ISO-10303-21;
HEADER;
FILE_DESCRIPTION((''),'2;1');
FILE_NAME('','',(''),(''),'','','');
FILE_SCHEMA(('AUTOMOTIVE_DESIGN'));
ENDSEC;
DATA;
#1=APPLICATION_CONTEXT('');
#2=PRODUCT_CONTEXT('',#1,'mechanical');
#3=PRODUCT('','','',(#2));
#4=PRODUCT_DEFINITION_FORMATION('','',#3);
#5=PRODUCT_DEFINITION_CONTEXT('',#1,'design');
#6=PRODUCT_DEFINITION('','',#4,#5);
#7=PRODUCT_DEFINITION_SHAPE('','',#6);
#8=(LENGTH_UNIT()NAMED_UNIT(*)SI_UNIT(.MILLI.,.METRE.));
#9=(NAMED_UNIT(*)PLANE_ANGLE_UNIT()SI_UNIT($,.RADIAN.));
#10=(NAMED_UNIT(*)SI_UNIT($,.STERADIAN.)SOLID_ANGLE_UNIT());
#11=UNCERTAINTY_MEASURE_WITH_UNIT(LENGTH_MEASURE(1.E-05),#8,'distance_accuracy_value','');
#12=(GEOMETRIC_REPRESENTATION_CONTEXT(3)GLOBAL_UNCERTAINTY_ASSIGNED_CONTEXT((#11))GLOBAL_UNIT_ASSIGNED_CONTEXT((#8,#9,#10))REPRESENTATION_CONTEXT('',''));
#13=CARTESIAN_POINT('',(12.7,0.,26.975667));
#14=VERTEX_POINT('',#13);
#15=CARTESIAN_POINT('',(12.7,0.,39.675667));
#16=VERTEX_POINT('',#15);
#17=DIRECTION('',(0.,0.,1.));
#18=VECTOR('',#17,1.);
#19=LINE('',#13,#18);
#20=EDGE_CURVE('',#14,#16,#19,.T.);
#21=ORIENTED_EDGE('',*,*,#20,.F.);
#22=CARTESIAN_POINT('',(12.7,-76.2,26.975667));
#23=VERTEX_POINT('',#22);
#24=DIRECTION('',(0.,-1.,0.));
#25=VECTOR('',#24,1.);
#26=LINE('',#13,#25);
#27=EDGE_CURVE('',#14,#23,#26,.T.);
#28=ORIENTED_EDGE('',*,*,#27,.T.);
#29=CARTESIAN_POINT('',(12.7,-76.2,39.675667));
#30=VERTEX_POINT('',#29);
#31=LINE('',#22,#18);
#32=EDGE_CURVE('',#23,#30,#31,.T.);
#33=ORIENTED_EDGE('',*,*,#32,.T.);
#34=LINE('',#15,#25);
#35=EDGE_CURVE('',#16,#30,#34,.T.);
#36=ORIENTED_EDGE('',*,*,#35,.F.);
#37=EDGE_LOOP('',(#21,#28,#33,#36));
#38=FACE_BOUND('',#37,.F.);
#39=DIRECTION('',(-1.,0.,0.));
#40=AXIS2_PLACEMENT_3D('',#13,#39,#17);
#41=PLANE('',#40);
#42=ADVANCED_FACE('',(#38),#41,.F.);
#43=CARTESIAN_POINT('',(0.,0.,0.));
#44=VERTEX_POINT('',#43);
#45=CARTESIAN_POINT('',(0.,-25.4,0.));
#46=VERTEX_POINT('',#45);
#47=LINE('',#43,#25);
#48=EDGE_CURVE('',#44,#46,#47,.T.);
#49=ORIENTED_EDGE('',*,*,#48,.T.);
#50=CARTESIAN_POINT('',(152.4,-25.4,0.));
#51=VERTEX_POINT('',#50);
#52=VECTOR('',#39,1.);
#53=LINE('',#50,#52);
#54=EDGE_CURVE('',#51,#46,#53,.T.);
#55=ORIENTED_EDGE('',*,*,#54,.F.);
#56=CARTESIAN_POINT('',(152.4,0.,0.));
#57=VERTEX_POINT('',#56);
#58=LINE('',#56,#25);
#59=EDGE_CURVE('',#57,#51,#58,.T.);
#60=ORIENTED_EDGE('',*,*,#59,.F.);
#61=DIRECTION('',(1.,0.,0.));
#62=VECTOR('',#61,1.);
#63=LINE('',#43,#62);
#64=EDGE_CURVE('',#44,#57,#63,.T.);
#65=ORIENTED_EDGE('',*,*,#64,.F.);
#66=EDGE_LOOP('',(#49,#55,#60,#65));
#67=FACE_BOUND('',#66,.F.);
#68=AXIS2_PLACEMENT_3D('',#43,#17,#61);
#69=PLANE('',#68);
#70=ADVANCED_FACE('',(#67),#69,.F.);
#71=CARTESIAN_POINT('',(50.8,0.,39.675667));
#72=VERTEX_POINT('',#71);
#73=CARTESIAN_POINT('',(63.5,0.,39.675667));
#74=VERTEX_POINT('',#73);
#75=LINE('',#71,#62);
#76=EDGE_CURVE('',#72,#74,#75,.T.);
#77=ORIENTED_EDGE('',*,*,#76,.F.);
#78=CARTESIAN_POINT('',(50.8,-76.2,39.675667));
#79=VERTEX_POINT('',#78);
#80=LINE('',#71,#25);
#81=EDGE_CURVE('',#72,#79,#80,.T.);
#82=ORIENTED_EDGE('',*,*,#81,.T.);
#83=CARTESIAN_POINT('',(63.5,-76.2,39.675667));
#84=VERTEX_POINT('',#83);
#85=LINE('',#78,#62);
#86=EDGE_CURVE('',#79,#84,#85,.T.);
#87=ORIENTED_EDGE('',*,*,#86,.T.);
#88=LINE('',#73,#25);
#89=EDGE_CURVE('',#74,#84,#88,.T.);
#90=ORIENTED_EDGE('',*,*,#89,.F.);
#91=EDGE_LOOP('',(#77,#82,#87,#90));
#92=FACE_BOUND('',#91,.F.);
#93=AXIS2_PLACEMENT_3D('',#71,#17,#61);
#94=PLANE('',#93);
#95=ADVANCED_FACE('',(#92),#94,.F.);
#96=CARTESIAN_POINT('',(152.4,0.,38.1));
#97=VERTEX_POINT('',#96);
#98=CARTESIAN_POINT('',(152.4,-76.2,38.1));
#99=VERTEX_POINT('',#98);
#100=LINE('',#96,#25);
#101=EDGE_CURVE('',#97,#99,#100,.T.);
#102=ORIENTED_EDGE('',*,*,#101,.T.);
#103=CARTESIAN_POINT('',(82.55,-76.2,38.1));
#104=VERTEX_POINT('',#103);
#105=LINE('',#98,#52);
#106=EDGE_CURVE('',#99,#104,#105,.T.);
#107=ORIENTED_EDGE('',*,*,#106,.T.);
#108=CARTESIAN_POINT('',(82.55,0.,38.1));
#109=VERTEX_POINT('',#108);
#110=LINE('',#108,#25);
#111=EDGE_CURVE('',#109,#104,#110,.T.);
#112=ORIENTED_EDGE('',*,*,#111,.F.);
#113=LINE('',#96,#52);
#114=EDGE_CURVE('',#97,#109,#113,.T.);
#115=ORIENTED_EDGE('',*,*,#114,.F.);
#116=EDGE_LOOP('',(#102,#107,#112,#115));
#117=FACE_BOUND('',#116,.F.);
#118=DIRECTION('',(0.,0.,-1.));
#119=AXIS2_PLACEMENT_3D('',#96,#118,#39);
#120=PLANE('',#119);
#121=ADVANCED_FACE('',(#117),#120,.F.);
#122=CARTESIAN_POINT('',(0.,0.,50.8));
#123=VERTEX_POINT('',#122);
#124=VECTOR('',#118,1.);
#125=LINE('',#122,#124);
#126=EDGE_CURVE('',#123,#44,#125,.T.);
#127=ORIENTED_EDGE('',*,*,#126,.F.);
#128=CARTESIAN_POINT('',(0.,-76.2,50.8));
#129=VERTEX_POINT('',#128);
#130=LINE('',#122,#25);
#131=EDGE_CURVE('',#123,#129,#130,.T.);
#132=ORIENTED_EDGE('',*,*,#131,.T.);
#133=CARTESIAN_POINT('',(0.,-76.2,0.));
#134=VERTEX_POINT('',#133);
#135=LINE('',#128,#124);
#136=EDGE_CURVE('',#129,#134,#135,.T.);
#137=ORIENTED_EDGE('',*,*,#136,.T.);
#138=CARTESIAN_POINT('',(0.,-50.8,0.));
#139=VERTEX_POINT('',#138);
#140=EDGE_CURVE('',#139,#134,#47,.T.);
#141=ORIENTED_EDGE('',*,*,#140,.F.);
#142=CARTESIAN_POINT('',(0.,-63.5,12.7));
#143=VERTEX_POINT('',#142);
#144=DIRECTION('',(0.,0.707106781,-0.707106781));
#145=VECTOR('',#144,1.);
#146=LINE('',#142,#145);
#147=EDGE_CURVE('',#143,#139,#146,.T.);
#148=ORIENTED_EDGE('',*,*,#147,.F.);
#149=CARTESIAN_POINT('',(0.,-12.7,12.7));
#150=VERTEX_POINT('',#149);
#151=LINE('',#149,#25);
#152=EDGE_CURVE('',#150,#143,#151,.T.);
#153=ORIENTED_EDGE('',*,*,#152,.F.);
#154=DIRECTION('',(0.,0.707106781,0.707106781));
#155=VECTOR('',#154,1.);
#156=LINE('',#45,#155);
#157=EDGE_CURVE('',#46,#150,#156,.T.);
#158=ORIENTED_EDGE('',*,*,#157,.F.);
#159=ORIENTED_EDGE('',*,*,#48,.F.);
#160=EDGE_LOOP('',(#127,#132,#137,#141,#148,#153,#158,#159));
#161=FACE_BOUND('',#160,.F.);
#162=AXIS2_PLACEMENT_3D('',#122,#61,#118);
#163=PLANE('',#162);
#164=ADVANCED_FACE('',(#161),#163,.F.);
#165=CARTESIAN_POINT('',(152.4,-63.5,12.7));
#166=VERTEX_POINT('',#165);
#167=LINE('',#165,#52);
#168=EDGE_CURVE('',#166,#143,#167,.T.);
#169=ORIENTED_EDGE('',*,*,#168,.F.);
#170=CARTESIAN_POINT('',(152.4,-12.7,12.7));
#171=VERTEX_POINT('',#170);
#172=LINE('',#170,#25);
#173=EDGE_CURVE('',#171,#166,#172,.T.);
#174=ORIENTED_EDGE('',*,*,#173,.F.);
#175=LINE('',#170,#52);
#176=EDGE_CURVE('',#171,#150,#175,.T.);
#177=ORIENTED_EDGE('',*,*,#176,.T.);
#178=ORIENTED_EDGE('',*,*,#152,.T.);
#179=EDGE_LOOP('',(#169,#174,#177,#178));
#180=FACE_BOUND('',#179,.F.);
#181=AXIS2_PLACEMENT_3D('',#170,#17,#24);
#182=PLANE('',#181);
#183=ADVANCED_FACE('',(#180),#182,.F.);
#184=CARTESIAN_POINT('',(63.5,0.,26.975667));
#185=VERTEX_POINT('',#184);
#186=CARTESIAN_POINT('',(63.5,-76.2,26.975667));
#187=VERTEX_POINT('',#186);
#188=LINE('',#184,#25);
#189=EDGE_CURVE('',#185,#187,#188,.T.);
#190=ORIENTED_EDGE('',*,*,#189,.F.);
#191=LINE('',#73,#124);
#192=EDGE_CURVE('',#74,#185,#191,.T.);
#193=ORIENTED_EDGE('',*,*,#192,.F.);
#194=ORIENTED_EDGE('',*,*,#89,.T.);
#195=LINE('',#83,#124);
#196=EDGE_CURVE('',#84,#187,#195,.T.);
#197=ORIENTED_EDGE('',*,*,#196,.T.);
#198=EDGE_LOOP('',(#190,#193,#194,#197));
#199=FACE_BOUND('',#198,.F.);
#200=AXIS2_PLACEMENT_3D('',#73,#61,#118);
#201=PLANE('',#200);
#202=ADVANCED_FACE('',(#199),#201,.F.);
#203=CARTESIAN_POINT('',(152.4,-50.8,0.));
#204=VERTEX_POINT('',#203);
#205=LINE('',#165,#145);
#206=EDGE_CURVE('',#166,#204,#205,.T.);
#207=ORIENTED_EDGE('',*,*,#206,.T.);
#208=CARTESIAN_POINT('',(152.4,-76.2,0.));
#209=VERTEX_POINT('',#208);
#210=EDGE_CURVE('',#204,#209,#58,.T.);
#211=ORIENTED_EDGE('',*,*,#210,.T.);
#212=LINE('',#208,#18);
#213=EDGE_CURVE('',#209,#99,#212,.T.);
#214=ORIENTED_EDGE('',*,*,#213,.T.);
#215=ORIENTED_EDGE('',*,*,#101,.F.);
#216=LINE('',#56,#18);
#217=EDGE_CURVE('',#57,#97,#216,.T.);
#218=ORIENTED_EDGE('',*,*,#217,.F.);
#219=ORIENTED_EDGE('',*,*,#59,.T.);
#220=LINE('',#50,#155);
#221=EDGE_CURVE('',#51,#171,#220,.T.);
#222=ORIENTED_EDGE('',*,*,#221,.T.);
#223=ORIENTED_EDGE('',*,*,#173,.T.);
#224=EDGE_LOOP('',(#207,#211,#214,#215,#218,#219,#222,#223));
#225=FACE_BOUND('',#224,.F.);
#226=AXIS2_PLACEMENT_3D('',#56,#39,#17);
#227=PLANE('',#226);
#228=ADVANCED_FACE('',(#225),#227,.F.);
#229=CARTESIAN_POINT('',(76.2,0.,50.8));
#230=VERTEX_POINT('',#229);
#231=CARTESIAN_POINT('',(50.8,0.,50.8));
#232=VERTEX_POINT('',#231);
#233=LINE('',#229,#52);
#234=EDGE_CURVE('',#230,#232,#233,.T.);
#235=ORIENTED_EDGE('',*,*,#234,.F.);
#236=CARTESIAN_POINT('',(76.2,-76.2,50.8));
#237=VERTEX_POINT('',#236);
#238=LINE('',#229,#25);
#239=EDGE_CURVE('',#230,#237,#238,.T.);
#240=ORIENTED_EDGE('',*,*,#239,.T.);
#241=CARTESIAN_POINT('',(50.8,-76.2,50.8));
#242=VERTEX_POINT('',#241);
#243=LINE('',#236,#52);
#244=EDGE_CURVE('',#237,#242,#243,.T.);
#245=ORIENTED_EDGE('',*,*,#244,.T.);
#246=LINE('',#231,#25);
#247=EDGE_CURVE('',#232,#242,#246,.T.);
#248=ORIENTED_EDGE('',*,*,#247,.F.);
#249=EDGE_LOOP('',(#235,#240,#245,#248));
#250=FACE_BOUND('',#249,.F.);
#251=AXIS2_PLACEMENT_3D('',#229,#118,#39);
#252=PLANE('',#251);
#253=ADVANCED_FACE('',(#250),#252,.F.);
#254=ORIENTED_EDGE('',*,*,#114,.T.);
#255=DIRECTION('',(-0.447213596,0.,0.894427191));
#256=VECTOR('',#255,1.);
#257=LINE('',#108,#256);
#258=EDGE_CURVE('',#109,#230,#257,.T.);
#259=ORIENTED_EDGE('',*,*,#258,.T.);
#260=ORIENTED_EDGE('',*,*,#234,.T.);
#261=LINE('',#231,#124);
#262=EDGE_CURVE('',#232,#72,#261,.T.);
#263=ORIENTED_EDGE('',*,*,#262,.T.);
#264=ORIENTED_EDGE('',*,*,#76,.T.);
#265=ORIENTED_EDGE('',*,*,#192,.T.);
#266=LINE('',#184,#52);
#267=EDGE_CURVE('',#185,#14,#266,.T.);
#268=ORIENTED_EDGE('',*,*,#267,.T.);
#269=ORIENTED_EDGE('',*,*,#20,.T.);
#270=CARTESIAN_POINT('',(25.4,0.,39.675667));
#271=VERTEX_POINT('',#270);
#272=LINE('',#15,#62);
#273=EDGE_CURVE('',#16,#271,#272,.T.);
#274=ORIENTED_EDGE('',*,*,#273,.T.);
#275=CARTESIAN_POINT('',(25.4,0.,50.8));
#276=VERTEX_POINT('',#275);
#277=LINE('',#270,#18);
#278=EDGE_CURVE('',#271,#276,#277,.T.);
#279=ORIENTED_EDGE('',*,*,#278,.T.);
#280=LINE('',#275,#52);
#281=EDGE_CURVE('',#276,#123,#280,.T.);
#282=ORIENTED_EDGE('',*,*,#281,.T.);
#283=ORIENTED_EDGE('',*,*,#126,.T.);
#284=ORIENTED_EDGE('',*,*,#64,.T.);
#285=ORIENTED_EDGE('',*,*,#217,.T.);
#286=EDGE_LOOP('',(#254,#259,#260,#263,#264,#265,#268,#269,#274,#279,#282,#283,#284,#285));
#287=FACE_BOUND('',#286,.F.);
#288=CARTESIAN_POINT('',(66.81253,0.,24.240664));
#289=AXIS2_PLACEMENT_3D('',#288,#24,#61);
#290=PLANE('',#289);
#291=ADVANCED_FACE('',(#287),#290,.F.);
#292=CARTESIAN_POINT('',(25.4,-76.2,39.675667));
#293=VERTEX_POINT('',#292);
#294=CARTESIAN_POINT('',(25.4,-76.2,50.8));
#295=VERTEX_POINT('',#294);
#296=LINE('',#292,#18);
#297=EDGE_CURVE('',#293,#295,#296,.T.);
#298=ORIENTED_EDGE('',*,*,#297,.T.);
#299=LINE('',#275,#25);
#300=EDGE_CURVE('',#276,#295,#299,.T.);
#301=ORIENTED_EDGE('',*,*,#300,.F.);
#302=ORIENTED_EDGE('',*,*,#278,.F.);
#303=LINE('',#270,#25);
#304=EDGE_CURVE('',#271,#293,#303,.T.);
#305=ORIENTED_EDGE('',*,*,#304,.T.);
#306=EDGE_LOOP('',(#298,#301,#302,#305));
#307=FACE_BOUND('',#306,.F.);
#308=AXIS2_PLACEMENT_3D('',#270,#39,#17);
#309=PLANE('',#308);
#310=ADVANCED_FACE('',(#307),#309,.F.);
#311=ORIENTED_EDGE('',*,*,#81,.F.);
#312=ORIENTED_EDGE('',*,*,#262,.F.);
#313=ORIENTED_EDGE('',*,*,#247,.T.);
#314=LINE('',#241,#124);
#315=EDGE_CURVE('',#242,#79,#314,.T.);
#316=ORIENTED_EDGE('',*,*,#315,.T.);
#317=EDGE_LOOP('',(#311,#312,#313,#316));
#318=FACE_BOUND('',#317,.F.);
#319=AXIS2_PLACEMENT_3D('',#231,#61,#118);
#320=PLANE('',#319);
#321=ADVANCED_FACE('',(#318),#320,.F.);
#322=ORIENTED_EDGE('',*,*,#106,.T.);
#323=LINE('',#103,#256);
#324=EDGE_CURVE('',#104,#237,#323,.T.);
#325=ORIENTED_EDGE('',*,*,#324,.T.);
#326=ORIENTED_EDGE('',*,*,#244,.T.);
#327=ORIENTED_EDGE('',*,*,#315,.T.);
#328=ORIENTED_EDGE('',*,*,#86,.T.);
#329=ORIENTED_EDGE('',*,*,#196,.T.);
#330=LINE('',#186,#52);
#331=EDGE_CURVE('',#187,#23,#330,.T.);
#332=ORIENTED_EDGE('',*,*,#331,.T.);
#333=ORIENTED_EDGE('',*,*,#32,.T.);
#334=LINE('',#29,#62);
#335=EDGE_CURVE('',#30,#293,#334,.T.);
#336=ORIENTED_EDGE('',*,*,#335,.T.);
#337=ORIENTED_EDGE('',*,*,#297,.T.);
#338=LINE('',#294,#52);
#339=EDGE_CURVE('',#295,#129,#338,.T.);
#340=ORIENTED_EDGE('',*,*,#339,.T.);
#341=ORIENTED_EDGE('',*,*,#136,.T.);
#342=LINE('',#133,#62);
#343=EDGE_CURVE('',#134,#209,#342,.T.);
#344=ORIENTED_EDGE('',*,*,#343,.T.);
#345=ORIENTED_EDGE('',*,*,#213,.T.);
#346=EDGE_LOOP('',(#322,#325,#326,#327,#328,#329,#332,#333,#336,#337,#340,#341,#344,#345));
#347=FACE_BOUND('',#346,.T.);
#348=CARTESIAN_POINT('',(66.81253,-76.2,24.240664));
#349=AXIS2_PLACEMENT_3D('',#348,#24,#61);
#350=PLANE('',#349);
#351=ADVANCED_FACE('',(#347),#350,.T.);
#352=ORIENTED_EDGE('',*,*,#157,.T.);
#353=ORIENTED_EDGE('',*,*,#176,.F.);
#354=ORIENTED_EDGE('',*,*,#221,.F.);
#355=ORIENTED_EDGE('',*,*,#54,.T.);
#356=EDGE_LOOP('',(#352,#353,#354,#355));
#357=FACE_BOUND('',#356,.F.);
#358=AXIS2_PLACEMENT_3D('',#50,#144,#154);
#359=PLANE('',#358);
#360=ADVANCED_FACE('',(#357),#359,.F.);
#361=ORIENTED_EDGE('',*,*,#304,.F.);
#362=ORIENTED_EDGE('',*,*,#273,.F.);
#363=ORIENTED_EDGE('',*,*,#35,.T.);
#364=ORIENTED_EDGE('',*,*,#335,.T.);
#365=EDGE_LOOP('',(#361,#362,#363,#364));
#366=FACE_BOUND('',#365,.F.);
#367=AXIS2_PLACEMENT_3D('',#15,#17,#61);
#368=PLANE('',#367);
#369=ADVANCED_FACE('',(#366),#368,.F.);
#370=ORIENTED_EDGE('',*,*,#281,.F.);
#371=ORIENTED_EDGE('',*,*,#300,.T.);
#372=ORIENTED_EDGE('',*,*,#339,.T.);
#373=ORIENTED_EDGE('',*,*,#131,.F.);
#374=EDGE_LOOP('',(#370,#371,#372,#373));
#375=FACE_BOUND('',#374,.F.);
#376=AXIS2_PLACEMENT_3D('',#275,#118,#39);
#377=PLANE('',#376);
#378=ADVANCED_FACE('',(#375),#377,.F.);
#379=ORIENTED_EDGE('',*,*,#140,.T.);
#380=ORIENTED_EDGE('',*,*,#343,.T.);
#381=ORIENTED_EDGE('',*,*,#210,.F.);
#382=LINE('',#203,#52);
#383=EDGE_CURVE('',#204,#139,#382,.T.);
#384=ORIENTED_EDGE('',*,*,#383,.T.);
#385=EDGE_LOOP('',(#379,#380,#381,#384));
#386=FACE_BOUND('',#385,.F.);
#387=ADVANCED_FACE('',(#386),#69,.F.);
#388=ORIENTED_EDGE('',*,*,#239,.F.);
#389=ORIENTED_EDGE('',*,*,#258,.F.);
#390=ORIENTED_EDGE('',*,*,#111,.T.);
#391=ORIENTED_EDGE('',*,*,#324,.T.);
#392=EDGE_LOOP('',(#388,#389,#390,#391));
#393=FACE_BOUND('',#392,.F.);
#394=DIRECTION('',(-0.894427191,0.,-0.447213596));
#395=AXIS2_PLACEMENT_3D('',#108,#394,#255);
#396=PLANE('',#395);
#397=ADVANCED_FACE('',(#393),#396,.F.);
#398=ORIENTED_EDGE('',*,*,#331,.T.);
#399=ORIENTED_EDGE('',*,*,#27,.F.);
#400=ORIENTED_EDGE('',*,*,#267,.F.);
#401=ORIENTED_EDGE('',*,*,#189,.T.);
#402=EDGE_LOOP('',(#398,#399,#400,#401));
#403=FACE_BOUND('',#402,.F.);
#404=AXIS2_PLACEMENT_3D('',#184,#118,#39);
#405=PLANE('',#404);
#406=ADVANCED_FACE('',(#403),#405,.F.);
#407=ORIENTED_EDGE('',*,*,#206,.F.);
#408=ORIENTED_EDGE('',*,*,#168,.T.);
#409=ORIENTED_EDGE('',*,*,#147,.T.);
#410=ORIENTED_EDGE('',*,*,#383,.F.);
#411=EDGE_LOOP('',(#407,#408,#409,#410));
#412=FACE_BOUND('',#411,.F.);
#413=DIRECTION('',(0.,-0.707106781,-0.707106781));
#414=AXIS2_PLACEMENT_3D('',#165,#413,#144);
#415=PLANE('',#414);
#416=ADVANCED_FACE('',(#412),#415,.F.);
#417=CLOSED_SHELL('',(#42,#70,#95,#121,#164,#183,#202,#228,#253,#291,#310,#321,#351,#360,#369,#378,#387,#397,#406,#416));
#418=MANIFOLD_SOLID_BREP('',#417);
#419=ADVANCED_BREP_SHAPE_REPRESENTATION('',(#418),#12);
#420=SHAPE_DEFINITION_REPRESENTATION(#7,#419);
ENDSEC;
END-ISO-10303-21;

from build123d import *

# Parameters (mm, degrees)
F1_DEPTH = 76.2
F3_DEPTH = 152.4


with BuildPart() as f1:
    # F0 (on Front) → F1 (new body)
    with BuildSketch(Plane.XZ):
        Polygon((0, 50.8), (0, 0), (152.4, 0), (152.4, 38.1), (82.55, 38.1), (76.2, 50.8), (50.8, 50.8), (50.8, 39.675667), (63.5, 39.675667), (63.5, 26.975667), (12.7, 26.975667), (12.7, 39.675667), (25.4, 39.675667), (25.4, 50.8), align=None)
    extrude(amount=F1_DEPTH)

    # F2 (on face) → F3 (cut, through all)
    with BuildSketch(Plane.YZ.offset(152.4)):
        Polygon((-12.7, 12.7), (-38.1, 12.7), (-63.5, 12.7), (-50.8, 0), (-25.4, 0), align=None)
    extrude(amount=-F3_DEPTH, mode=Mode.SUBTRACT)


solid = f1.part
